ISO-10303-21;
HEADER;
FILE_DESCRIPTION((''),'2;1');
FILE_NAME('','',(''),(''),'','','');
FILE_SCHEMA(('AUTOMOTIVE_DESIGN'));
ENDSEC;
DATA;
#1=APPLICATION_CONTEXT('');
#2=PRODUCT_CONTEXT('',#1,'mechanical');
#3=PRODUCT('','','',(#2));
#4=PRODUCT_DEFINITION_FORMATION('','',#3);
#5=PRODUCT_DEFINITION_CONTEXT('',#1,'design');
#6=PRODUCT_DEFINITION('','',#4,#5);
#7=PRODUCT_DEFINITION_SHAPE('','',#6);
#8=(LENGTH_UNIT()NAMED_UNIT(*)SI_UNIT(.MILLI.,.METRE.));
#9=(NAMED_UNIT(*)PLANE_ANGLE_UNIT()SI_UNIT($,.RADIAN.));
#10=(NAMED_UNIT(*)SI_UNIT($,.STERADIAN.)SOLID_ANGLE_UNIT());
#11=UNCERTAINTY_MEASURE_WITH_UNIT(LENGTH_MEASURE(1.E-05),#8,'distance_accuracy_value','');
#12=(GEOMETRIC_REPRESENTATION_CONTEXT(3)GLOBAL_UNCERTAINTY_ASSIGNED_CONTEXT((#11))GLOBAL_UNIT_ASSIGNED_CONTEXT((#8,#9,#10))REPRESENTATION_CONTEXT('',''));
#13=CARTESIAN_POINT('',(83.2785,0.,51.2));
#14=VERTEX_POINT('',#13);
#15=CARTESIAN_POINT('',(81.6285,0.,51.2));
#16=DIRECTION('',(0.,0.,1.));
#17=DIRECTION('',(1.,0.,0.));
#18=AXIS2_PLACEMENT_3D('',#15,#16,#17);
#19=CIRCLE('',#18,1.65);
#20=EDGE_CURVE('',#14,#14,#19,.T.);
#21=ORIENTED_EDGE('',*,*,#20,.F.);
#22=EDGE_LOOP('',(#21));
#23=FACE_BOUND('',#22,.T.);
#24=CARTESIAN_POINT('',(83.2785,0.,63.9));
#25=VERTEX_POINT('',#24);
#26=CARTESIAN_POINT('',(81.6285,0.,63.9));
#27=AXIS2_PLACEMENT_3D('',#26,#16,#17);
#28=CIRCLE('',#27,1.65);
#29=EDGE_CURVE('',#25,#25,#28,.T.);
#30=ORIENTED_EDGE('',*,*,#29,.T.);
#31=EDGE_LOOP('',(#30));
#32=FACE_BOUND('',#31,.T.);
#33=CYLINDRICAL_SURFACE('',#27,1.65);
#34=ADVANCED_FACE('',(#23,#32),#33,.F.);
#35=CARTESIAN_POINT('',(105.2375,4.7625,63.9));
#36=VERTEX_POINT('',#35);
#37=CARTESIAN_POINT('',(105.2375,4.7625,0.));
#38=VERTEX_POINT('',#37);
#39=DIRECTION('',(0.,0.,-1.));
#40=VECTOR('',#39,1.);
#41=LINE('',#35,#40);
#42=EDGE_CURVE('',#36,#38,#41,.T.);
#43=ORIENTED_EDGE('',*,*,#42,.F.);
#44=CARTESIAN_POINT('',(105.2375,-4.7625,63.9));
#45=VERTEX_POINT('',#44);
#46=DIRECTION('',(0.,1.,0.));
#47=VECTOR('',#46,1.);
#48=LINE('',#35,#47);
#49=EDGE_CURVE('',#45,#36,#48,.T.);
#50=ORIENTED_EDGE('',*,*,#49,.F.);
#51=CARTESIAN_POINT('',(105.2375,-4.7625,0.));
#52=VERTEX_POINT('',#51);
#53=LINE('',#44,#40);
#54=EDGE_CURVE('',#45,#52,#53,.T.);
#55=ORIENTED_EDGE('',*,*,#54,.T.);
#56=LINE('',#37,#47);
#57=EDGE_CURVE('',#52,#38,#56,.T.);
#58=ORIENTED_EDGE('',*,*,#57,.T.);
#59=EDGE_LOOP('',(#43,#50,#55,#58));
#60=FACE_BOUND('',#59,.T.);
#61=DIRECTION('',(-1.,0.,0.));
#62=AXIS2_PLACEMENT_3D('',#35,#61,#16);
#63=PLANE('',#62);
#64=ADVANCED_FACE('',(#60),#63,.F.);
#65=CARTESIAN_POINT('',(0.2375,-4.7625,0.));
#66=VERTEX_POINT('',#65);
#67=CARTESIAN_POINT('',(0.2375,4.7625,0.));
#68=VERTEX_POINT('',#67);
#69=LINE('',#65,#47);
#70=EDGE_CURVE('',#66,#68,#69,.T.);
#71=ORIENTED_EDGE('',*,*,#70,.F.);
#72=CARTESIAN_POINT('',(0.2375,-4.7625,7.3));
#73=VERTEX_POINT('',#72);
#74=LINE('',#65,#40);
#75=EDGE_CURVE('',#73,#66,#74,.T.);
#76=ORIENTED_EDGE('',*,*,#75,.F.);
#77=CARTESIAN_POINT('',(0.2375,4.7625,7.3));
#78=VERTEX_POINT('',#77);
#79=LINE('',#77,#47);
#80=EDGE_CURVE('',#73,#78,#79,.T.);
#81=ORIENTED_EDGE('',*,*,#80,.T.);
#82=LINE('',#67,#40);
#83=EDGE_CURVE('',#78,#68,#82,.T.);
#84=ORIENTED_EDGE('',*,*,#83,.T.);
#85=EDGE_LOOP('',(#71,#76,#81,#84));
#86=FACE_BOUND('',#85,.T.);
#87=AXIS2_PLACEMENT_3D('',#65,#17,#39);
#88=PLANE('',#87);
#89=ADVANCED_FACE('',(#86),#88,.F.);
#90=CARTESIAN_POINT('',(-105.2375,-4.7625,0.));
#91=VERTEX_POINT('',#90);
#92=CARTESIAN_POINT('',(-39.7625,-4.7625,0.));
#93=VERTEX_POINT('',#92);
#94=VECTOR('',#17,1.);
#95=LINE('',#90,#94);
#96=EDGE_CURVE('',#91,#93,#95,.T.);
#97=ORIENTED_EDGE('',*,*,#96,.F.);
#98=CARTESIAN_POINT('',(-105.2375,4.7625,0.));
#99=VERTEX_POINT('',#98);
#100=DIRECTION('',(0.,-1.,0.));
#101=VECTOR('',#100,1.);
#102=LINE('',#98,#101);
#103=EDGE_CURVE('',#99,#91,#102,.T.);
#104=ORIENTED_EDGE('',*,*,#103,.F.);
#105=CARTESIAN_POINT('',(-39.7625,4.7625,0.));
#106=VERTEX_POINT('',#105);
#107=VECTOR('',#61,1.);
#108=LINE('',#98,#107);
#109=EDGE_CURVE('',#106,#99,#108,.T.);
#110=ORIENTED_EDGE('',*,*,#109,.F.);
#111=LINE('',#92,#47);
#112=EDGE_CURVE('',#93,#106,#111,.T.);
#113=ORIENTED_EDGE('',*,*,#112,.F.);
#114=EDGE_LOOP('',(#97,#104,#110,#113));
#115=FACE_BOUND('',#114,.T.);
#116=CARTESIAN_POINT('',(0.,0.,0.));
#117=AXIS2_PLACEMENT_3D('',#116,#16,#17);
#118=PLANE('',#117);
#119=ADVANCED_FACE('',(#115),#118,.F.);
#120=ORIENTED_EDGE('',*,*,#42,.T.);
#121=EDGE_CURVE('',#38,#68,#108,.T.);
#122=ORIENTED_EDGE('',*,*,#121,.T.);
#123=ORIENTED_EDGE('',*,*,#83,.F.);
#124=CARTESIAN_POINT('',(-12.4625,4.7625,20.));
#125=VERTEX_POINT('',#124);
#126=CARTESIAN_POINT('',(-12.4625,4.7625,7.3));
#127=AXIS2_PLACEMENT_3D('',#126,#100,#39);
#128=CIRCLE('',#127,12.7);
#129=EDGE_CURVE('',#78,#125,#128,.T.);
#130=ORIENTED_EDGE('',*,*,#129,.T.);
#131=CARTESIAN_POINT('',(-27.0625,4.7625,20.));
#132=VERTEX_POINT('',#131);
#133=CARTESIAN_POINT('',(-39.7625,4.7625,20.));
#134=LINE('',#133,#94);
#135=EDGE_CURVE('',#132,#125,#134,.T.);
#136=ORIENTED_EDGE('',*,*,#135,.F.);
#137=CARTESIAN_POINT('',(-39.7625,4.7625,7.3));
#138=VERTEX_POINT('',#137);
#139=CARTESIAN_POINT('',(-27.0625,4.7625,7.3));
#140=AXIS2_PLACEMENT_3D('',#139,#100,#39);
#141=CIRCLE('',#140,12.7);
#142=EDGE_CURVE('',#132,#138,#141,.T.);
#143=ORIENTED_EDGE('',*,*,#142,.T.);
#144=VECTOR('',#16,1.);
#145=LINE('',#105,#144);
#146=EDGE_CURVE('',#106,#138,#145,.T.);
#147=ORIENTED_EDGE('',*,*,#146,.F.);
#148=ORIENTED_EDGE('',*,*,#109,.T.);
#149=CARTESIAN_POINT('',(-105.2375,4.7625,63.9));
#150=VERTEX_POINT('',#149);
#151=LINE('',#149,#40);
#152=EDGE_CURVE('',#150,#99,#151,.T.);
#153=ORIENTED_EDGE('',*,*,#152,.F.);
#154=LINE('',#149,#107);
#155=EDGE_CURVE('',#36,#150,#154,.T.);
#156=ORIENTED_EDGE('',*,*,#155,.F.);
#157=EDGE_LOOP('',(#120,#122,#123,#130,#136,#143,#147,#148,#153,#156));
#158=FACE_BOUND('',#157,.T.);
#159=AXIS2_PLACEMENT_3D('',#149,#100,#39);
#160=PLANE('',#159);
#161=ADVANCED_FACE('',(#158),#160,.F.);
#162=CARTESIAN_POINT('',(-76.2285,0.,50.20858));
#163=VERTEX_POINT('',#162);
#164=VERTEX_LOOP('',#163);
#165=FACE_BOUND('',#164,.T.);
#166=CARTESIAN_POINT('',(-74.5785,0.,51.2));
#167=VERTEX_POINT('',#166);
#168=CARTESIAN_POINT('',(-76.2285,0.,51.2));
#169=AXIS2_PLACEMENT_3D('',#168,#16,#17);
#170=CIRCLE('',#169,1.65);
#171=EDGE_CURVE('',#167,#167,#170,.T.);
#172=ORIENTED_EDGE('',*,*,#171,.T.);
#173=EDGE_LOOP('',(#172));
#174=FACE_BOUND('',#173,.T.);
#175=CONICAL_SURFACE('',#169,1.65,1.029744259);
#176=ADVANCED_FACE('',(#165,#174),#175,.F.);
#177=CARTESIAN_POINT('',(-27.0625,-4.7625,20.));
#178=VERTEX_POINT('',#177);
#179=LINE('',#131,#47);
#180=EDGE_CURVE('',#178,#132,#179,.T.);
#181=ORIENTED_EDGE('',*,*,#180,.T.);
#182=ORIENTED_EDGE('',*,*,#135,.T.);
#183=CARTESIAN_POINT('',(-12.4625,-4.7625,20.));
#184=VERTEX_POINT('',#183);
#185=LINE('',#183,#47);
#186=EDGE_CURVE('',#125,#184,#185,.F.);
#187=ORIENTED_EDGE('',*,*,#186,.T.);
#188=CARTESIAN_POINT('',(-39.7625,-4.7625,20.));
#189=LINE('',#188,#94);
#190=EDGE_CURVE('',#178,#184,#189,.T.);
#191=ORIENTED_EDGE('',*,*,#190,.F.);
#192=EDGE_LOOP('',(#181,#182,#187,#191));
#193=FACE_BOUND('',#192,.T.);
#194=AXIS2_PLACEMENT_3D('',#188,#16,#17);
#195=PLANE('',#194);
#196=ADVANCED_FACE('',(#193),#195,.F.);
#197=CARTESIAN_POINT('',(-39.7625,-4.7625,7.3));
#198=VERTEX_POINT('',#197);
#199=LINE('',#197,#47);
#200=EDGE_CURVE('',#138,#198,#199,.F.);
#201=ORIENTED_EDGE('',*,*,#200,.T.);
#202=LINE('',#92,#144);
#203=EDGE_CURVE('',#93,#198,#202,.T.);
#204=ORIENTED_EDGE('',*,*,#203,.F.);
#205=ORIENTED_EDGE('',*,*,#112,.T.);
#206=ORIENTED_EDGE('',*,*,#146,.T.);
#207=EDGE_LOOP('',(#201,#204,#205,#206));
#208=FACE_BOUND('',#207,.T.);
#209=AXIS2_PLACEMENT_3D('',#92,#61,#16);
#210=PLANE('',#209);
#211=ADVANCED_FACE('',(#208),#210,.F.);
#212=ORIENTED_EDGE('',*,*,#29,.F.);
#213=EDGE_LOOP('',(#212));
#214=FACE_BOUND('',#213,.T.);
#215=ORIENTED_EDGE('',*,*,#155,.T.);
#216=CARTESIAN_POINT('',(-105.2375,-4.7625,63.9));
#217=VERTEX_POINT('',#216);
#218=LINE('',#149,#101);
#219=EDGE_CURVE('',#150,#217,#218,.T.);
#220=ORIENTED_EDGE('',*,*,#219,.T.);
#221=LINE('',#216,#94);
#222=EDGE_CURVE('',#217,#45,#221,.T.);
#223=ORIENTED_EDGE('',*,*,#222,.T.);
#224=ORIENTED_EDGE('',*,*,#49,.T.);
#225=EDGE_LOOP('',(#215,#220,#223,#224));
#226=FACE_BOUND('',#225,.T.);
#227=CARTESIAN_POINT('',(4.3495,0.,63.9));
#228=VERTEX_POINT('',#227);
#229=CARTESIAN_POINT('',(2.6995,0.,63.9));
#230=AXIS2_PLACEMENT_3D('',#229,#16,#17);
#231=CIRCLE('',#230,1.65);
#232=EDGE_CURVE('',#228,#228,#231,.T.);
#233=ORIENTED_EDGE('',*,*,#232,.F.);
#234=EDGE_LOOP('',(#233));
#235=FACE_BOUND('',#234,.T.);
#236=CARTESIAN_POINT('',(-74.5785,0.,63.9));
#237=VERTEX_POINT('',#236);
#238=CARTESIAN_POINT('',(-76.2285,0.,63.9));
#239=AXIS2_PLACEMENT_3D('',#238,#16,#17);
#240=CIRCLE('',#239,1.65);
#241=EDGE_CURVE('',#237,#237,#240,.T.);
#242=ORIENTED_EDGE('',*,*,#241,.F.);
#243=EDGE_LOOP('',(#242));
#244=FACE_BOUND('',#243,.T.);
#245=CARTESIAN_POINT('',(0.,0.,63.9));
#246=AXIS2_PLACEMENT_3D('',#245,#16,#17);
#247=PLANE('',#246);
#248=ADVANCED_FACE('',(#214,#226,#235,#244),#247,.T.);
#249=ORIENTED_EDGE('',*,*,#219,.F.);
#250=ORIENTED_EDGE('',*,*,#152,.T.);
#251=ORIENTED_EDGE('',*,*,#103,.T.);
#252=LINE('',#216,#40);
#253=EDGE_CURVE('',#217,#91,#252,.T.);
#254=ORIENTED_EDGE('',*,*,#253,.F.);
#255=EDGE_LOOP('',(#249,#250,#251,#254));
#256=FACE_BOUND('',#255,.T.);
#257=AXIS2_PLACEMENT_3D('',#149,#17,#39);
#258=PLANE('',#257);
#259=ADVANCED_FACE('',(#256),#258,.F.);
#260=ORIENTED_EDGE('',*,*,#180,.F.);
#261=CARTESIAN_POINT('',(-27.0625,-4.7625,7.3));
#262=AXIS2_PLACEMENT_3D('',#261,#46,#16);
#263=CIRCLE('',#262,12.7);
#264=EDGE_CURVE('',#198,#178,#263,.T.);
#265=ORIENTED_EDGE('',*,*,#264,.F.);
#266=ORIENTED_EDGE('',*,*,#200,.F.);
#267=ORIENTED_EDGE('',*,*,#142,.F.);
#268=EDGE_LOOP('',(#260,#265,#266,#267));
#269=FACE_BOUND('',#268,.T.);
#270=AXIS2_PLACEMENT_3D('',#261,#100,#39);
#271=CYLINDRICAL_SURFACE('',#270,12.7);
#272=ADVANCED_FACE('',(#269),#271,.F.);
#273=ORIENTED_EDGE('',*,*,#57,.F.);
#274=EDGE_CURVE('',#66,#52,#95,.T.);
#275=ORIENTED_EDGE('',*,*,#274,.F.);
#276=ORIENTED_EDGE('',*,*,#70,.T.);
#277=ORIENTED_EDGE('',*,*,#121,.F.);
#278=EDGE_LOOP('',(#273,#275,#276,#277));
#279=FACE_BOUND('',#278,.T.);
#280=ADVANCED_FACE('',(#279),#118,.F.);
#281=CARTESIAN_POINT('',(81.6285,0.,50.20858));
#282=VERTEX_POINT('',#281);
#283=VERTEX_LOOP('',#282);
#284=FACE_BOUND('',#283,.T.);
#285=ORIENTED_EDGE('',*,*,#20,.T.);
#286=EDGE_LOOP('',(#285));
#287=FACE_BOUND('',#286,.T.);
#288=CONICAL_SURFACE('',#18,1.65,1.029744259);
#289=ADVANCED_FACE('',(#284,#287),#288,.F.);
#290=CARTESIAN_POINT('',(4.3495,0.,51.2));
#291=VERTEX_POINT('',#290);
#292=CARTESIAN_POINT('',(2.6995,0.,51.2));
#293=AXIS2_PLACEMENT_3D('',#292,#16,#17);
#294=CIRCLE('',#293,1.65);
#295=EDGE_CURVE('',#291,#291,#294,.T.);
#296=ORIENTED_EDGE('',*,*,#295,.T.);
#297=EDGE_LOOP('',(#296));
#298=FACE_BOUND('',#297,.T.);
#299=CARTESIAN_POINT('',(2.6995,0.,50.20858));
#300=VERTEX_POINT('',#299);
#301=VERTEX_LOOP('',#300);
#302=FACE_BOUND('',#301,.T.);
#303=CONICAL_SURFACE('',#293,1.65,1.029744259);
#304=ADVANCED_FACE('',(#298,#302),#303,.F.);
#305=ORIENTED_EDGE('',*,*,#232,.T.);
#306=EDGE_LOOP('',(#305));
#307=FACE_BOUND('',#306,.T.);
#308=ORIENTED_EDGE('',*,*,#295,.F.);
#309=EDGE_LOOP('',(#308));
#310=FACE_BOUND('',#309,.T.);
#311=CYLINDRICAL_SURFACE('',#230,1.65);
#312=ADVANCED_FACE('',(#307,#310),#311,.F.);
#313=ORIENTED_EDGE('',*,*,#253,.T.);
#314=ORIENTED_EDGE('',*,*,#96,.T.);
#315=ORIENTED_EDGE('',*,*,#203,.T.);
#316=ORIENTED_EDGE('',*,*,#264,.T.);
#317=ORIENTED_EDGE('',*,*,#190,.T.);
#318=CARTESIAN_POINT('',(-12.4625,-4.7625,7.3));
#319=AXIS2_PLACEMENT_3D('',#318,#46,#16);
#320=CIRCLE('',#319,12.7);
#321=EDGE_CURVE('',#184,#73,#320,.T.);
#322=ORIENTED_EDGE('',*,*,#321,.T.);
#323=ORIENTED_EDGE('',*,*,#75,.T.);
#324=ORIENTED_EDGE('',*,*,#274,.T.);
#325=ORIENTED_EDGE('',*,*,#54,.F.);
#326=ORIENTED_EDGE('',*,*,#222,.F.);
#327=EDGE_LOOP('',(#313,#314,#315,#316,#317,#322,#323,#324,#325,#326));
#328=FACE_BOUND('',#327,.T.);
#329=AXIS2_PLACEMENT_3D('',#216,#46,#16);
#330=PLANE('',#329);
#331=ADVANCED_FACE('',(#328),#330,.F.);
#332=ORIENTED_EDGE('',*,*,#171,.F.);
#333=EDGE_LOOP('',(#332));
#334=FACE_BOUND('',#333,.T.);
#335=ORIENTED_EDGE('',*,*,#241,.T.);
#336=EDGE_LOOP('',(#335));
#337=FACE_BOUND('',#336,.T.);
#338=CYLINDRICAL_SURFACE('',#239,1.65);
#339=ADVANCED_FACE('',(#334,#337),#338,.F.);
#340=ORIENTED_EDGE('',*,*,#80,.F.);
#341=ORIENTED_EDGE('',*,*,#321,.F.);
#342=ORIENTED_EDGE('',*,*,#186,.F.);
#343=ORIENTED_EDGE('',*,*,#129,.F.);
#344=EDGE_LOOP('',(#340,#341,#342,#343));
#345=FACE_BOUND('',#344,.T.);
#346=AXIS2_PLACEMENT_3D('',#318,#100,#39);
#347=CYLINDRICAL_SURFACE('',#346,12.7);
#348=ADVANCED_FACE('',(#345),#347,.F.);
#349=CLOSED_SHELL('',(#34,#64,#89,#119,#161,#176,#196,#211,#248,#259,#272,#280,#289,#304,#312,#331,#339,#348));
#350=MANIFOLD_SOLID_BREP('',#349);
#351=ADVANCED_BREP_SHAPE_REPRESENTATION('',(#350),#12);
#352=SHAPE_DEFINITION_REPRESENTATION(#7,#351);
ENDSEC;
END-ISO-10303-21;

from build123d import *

# Parameters (mm, degrees)
SKETCH1_W                   = 210.475
SKETCH1_H                   = 9.525
BOSS_EXTRUDE1_DEPTH         = 63.9
SKETCH2_W                   = 40
SKETCH2_H                   = 20
CUT_EXTRUDE1_DEPTH          = 10.525
FILLET1_R                   = 12.7
TAP_DRILL_FOR_M4_TAP1_D     = 3.3
TAP_DRILL_FOR_M4_TAP1_DEPTH = 12.7
TAP_DRILL_FOR_M4_TAP1_TIP   = 0.991420021


with BuildPart() as part:
    # Sketch1 → Boss-Extrude1 (new body)
    with BuildSketch(Plane.XY):
        Rectangle(SKETCH1_W, SKETCH1_H)
    extrude(amount=BOSS_EXTRUDE1_DEPTH)

    # Sketch2 → Cut-Extrude1 (cut, through all)
    with BuildSketch(Plane(origin=(0, 4.7625, 0), x_dir=(1, 0, 0), z_dir=(0, 1, 0))):
        with Locations((-19.7625, -10)):
            Rectangle(SKETCH2_W, SKETCH2_H)
    extrude(amount=-CUT_EXTRUDE1_DEPTH, mode=Mode.SUBTRACT)

    # Fillet1
    fillet1_edges = [part.edges().sort_by_distance(p)[0] for p in [
        (-39.7625, 0, 20),
        (0.2375, 0, 20),
    ]]
    fillet(fillet1_edges, radius=FILLET1_R)

    # Tap Drill for M4 Tap1
    with Locations(Plane.XY.offset(63.9)):
        with Locations((-76.2285, 0), (2.6995, 0), (81.6285, 0)):
            Hole(TAP_DRILL_FOR_M4_TAP1_D / 2, depth=TAP_DRILL_FOR_M4_TAP1_DEPTH)
            with Locations((0, 0, -(TAP_DRILL_FOR_M4_TAP1_DEPTH + TAP_DRILL_FOR_M4_TAP1_TIP / 2))):  # 118° drill point
                Cone(0, TAP_DRILL_FOR_M4_TAP1_D / 2, TAP_DRILL_FOR_M4_TAP1_TIP, mode=Mode.SUBTRACT)


solid = part.part
